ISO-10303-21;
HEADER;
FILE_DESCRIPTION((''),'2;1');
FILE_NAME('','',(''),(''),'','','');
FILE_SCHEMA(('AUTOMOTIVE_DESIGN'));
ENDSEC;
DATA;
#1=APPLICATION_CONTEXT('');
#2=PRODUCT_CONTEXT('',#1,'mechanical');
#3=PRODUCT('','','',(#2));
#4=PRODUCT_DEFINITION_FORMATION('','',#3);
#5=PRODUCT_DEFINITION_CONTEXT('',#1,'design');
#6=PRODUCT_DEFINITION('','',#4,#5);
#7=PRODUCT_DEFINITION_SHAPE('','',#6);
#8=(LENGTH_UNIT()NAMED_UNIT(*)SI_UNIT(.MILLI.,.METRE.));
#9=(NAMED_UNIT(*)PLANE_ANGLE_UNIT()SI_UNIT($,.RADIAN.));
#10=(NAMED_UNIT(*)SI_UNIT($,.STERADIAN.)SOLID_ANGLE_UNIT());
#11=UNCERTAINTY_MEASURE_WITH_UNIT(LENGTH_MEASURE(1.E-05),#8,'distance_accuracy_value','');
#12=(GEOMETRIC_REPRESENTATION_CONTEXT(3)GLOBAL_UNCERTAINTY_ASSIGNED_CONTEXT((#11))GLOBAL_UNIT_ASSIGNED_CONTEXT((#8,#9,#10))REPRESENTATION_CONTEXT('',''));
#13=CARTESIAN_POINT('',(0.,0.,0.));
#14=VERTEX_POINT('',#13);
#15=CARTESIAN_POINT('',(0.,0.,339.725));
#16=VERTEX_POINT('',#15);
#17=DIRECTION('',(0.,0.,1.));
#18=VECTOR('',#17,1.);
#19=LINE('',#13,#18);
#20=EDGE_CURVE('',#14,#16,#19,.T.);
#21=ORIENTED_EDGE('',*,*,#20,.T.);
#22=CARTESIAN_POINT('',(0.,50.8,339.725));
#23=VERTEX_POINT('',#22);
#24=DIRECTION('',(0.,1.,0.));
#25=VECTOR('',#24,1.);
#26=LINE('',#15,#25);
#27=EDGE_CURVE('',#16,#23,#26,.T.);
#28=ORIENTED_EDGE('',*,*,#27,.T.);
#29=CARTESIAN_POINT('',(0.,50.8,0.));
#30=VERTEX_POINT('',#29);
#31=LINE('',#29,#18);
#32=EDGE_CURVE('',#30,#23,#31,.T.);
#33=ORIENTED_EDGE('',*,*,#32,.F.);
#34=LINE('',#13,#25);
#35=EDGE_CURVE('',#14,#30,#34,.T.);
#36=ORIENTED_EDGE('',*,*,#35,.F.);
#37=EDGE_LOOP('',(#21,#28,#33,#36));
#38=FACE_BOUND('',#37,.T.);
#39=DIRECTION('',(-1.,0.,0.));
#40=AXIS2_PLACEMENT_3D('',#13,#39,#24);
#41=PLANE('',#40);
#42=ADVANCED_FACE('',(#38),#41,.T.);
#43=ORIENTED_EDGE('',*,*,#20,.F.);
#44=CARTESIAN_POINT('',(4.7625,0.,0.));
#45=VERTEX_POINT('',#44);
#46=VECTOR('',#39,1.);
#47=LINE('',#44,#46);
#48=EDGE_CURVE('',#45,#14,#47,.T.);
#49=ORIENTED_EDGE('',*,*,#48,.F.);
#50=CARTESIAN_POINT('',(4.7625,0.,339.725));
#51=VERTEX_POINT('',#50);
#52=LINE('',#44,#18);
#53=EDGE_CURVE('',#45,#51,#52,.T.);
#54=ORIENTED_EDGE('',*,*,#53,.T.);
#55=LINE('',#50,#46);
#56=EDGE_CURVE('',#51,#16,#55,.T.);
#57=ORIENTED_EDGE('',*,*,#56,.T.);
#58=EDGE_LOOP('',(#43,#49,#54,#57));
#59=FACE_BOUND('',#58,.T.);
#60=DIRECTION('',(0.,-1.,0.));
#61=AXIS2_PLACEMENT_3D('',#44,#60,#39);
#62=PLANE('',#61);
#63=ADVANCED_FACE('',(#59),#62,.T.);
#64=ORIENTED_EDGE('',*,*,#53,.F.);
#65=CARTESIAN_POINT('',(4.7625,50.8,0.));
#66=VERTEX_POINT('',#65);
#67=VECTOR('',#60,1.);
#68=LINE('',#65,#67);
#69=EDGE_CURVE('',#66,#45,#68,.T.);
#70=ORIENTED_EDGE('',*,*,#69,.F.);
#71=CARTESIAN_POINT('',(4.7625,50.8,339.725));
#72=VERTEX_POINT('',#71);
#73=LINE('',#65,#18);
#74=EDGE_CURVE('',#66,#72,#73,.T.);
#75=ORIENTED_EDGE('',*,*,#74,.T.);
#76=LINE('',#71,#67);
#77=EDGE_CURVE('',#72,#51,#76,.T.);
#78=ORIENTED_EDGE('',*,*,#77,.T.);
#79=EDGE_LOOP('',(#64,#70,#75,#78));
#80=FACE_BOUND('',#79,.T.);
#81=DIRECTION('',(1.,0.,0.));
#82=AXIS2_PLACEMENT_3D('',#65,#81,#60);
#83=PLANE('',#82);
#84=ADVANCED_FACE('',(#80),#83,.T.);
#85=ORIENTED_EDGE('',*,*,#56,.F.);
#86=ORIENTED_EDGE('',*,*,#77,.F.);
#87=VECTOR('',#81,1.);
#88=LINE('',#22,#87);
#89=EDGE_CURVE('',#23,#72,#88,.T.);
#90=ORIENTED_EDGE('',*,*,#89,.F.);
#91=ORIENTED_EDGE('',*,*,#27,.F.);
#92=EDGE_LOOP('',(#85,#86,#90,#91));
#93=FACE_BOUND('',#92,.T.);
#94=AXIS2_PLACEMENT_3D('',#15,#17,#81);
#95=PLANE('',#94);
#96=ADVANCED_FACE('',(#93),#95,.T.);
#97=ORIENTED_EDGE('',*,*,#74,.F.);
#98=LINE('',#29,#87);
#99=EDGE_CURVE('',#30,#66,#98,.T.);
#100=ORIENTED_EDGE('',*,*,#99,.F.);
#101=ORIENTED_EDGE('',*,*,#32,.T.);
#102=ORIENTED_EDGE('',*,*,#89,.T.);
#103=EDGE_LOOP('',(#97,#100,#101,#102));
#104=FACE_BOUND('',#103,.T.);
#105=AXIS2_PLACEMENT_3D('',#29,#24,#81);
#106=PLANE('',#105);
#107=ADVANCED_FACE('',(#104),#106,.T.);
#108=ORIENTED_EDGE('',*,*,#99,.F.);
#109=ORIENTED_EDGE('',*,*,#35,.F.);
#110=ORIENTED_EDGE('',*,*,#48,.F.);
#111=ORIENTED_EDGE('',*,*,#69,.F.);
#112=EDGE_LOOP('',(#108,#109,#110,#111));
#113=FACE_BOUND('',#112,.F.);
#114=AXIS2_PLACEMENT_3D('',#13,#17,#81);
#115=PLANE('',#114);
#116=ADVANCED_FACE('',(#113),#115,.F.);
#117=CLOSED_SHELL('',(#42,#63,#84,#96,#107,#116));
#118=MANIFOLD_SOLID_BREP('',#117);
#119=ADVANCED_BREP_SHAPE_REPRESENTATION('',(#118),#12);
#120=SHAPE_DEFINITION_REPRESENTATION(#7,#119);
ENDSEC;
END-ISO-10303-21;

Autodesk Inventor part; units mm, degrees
ref_plane "YZ Plane" through (0, 0, 0) normal (1, 0, 0) x (0, 1, 0)
ref_plane "XZ Plane" through (0, 0, 0) normal (0, 1, 0) x (-1, 0, 0)
ref_plane "XY Plane" through (0, 0, 0) normal (0, 0, 1) x (1, 0, 0)
sketch "Sketch1" plane through (0, 0, 0) normal (0, 0, 1) x (1, 0, 0)
  line L0 (0, 50.8) -> (4.7625, 50.8)
  line L1 (4.7625, 50.8) -> (4.7625, 0)
  line L2 (4.7625, 0) -> (0, 0)
  line L3 (0, 0) -> (0, 50.8)
  dimension "d0" = 4.7625
  dimension "d1" = 50.8
extrude "Extrusion1" add sketch "Sketch1" along normal blind 339.725
properties part number "BOXC_F13P5"
